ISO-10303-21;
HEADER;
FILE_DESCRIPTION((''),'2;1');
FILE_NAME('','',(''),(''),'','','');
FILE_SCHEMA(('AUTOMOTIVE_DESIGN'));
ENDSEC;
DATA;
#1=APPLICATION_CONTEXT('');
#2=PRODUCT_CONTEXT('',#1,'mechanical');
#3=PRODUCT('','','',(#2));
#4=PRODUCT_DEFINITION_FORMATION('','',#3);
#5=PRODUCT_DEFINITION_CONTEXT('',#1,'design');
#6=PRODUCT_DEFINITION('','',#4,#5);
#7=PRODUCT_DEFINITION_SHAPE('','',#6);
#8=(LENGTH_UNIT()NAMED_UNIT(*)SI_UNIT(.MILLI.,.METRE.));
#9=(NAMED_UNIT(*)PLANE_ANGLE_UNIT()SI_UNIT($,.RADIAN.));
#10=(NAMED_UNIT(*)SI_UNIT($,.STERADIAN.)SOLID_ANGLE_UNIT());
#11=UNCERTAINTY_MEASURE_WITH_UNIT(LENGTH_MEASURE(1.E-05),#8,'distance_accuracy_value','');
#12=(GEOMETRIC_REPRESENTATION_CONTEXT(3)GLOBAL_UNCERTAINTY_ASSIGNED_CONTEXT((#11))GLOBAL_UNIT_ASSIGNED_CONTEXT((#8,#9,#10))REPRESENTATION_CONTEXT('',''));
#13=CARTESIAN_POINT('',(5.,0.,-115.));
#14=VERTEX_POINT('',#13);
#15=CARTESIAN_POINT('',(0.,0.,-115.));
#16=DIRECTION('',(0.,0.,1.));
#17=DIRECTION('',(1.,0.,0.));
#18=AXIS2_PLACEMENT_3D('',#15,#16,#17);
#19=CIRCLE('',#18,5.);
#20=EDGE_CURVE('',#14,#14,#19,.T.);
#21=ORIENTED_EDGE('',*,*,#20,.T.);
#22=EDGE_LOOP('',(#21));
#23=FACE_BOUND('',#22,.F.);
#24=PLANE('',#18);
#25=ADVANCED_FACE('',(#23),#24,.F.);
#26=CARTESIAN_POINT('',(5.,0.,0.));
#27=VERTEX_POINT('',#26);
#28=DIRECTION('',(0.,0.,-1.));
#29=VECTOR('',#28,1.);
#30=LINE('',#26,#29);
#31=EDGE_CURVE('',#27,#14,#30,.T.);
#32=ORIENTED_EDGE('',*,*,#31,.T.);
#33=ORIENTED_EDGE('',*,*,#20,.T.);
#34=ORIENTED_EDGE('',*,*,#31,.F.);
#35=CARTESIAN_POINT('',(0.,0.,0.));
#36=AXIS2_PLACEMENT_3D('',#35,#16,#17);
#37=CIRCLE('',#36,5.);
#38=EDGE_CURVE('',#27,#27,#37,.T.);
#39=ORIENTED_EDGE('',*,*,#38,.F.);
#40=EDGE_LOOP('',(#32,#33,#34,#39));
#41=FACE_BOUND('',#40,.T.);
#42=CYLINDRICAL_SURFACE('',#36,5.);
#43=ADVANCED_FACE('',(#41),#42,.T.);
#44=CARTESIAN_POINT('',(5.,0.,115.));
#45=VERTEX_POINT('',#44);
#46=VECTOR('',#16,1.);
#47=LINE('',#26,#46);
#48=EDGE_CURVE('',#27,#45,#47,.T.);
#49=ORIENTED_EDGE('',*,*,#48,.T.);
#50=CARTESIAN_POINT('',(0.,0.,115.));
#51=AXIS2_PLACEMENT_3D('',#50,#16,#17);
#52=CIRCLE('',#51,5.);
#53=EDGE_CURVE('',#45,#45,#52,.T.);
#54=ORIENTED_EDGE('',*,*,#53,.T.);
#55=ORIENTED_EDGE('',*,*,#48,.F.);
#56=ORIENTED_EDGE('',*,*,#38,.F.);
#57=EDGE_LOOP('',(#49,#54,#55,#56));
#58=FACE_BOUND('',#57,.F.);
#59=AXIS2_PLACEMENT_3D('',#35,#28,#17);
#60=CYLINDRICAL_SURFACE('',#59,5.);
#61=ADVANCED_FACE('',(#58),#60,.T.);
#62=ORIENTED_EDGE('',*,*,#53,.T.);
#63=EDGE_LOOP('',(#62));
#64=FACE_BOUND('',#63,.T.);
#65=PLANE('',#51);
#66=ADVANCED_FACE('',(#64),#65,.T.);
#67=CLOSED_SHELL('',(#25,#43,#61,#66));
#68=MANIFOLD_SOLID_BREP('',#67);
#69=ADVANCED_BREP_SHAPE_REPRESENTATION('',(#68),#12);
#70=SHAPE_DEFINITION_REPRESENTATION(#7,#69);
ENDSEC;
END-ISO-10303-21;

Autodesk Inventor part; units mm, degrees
ref_plane "YZ Plane" through (0, 0, 0) normal (1, 0, 0) x (0, 1, 0)
ref_plane "XZ Plane" through (0, 0, 0) normal (0, 1, 0) x (-1, 0, 0)
ref_plane "XY Plane" through (0, 0, 0) normal (0, 0, 1) x (1, 0, 0)
sketch "スケッチ1" plane through (0, 0, 0) normal (0, 0, 1) x (1, 0, 0)
  circle A0 centre (0, 0) radius 5
  dimension "d0" = 10
extrude "押し出し1" add sketch "スケッチ1" along normal mid plane 230
properties part number "軸10mm"
